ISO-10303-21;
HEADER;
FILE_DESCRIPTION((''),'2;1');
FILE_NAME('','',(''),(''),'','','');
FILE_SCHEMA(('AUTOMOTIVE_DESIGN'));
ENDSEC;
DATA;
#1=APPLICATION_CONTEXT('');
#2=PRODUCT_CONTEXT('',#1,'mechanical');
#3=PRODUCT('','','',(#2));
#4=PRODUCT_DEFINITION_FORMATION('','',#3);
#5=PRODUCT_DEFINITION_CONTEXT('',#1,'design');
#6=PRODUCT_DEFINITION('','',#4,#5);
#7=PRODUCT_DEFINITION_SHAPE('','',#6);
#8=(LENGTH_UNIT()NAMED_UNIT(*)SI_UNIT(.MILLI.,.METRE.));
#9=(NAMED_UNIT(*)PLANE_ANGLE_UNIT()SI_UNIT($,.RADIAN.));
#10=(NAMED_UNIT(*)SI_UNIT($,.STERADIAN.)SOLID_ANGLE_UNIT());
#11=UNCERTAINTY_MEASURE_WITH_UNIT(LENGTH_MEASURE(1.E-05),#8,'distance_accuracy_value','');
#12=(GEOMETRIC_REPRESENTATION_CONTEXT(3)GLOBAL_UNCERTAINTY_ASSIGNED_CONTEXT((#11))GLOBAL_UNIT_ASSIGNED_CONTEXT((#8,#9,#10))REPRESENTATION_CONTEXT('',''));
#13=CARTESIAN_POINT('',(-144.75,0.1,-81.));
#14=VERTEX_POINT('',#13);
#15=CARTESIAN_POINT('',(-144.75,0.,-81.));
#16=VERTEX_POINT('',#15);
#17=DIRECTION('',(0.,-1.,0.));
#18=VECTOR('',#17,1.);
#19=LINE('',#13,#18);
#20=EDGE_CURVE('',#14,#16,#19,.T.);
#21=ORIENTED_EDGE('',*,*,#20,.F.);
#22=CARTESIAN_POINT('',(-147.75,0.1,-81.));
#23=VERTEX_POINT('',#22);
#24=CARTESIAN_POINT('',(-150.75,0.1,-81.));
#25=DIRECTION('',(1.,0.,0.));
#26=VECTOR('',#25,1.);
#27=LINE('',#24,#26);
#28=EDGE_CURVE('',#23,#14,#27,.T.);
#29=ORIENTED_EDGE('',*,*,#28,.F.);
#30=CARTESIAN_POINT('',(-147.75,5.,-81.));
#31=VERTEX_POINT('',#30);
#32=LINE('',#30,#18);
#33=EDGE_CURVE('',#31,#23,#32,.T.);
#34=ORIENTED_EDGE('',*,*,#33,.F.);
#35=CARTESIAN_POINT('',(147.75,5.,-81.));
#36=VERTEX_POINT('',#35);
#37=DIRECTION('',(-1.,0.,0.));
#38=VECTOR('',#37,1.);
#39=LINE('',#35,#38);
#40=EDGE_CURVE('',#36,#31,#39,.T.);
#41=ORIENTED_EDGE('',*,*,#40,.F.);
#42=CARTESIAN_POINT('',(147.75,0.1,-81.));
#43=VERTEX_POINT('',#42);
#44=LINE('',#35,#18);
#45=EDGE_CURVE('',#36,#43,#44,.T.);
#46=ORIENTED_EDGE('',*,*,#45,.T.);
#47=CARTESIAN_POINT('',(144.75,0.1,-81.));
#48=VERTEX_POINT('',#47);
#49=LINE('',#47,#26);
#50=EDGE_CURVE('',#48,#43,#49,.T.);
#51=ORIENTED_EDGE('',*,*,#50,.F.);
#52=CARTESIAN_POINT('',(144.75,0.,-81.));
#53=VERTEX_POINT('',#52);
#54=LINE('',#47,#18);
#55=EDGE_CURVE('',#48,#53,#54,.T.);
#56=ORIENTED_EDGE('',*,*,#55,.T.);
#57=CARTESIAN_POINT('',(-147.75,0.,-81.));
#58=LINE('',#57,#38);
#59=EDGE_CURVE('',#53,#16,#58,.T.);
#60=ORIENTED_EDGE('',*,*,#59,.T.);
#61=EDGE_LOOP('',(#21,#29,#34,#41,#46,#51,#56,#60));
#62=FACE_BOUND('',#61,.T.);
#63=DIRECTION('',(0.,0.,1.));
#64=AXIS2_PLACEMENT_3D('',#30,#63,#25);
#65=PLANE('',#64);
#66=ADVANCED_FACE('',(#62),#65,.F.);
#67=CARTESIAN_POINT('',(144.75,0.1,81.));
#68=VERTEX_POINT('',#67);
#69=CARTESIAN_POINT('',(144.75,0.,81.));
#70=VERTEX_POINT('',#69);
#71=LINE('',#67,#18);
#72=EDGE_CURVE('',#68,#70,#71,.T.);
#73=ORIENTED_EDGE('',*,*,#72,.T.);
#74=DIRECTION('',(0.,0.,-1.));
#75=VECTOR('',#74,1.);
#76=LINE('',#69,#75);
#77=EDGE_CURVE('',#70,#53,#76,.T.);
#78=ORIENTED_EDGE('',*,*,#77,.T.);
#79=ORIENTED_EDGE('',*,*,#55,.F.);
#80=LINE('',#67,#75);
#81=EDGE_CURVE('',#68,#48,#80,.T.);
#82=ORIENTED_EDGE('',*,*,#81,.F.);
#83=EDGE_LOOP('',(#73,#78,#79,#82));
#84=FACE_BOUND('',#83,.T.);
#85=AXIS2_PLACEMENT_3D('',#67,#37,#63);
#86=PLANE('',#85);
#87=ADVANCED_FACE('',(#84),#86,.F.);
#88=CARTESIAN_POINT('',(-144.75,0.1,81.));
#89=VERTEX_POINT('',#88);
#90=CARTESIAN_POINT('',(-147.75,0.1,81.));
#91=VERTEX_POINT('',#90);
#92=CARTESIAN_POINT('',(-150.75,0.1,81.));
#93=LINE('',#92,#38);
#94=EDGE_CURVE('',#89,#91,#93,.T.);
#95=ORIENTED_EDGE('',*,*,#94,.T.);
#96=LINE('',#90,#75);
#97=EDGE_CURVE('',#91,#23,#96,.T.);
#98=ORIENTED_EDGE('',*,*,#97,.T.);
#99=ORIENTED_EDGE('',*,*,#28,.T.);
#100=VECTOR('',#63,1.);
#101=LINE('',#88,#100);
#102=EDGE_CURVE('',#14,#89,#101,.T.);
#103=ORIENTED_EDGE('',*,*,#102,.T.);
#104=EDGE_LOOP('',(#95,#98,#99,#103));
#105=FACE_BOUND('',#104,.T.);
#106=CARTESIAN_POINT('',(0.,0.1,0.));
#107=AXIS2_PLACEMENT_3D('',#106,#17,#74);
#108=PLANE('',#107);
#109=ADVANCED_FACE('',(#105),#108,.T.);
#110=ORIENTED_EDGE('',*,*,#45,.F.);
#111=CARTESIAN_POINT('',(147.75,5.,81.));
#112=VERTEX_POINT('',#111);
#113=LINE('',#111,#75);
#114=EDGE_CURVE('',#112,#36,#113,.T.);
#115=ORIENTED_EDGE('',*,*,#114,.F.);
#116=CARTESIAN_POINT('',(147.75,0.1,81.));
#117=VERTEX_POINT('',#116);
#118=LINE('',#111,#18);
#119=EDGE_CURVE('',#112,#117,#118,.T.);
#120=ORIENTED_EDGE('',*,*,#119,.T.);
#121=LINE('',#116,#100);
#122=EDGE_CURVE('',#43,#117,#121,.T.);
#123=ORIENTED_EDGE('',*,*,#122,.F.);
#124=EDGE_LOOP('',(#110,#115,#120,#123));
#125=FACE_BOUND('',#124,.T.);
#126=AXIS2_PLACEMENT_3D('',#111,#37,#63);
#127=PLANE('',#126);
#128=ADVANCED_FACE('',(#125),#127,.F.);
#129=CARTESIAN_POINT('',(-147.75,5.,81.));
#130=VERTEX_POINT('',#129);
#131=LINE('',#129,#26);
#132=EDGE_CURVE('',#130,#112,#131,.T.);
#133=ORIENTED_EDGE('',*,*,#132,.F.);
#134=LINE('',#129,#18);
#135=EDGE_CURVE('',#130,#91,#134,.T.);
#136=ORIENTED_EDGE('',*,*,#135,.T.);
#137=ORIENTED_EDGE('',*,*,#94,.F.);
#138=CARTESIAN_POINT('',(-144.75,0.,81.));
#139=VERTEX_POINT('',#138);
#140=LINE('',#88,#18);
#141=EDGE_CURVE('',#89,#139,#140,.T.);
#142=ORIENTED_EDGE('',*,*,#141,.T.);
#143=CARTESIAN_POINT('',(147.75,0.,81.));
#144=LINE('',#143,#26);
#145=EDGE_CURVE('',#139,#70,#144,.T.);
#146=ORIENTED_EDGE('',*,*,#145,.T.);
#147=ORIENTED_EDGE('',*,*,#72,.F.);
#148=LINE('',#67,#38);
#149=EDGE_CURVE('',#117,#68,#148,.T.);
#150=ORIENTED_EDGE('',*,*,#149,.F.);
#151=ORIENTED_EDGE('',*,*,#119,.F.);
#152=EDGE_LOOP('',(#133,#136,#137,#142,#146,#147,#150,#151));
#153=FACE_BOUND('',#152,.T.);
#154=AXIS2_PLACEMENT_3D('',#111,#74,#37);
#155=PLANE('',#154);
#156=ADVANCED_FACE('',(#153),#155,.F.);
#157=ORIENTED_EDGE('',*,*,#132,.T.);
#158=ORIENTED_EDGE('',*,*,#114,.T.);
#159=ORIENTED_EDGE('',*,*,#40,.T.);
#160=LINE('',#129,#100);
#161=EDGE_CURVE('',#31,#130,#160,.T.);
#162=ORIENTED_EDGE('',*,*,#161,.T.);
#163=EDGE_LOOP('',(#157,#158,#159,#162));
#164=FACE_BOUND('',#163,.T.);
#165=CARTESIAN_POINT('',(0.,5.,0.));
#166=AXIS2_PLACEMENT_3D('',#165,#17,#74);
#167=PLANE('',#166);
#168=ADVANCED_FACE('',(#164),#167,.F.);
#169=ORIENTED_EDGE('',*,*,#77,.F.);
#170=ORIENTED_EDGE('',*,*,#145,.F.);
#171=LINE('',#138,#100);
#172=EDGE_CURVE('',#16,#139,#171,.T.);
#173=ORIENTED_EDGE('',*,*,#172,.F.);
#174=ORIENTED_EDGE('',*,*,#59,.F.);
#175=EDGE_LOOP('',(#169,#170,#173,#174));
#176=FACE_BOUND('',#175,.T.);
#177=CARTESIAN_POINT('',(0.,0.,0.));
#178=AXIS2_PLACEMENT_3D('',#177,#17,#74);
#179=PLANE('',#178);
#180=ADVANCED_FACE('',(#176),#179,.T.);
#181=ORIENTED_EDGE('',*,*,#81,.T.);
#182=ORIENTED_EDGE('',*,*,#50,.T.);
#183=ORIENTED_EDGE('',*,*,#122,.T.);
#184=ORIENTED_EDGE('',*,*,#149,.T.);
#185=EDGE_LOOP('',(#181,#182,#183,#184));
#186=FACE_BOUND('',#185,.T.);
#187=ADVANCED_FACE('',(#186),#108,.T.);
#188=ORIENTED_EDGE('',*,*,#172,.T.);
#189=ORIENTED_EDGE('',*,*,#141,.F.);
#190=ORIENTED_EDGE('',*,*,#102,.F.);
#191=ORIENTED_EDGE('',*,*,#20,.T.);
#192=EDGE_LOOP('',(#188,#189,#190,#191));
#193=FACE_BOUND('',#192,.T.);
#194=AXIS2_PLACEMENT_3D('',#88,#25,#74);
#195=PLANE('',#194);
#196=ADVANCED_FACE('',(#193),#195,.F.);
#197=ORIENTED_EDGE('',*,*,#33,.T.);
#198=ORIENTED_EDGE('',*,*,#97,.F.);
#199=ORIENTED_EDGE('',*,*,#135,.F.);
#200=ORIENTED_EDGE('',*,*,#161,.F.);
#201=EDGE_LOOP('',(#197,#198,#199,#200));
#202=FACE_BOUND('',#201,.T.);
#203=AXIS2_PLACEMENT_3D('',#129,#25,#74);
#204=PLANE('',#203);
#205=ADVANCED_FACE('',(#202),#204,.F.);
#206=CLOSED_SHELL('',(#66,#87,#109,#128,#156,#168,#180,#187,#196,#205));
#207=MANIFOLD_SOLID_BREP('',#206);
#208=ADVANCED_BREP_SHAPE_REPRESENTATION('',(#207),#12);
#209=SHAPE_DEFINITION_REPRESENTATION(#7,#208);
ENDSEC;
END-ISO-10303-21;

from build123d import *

# Parameters (mm, degrees)
BOSS_EXTRUDE1_DEPTH     = 5
CUT_EXTRUDE1_DEPTH      = 194.597682063
CUT_EXTRUDE1_DEPTH_BACK = 194.597682063
SKETCH2_W               = 116.5
SKETCH2_H               = 44
SKETCH3_W               = 6
SKETCH3_H               = 162
CUT_EXTRUDE2_DEPTH      = 0.1


with BuildPart() as part:
    # Sketch1 → Boss-Extrude1 (new body)
    with BuildSketch(Plane(origin=(0, 0, 0), x_dir=(1, 0, 0), z_dir=(0, 1, 0))):
        Polygon((-58.25, 125), (58.25, 125), (58.25, 81), (147.75, 81), (147.75, -81), (58.25, -81), (58.25, -125), (-58.25, -125), (-58.25, -81), (-147.75, -81), (-147.75, 81), (-58.25, 81), align=None)
    extrude(amount=BOSS_EXTRUDE1_DEPTH)

    # Sketch2 → Cut-Extrude1 (cut, two sides: drawn at the far end of the back side and taken through both)
    with BuildSketch(Plane.XZ.offset(-CUT_EXTRUDE1_DEPTH_BACK)):
        with Locations((0, 103)):
            Rectangle(SKETCH2_W, SKETCH2_H)
        with Locations((0, -103)):
            Rectangle(SKETCH2_W, SKETCH2_H)
    extrude(amount=CUT_EXTRUDE1_DEPTH + CUT_EXTRUDE1_DEPTH_BACK, mode=Mode.SUBTRACT)

    # Sketch3 → Cut-Extrude2 (cut)
    with BuildSketch(Plane.XZ):
        with Locations((-147.75, 0)):
            Rectangle(SKETCH3_W, SKETCH3_H)
        with Locations((147.75, 0)):
            Rectangle(SKETCH3_W, SKETCH3_H)
    extrude(amount=-CUT_EXTRUDE2_DEPTH, mode=Mode.SUBTRACT)


solid = part.part
